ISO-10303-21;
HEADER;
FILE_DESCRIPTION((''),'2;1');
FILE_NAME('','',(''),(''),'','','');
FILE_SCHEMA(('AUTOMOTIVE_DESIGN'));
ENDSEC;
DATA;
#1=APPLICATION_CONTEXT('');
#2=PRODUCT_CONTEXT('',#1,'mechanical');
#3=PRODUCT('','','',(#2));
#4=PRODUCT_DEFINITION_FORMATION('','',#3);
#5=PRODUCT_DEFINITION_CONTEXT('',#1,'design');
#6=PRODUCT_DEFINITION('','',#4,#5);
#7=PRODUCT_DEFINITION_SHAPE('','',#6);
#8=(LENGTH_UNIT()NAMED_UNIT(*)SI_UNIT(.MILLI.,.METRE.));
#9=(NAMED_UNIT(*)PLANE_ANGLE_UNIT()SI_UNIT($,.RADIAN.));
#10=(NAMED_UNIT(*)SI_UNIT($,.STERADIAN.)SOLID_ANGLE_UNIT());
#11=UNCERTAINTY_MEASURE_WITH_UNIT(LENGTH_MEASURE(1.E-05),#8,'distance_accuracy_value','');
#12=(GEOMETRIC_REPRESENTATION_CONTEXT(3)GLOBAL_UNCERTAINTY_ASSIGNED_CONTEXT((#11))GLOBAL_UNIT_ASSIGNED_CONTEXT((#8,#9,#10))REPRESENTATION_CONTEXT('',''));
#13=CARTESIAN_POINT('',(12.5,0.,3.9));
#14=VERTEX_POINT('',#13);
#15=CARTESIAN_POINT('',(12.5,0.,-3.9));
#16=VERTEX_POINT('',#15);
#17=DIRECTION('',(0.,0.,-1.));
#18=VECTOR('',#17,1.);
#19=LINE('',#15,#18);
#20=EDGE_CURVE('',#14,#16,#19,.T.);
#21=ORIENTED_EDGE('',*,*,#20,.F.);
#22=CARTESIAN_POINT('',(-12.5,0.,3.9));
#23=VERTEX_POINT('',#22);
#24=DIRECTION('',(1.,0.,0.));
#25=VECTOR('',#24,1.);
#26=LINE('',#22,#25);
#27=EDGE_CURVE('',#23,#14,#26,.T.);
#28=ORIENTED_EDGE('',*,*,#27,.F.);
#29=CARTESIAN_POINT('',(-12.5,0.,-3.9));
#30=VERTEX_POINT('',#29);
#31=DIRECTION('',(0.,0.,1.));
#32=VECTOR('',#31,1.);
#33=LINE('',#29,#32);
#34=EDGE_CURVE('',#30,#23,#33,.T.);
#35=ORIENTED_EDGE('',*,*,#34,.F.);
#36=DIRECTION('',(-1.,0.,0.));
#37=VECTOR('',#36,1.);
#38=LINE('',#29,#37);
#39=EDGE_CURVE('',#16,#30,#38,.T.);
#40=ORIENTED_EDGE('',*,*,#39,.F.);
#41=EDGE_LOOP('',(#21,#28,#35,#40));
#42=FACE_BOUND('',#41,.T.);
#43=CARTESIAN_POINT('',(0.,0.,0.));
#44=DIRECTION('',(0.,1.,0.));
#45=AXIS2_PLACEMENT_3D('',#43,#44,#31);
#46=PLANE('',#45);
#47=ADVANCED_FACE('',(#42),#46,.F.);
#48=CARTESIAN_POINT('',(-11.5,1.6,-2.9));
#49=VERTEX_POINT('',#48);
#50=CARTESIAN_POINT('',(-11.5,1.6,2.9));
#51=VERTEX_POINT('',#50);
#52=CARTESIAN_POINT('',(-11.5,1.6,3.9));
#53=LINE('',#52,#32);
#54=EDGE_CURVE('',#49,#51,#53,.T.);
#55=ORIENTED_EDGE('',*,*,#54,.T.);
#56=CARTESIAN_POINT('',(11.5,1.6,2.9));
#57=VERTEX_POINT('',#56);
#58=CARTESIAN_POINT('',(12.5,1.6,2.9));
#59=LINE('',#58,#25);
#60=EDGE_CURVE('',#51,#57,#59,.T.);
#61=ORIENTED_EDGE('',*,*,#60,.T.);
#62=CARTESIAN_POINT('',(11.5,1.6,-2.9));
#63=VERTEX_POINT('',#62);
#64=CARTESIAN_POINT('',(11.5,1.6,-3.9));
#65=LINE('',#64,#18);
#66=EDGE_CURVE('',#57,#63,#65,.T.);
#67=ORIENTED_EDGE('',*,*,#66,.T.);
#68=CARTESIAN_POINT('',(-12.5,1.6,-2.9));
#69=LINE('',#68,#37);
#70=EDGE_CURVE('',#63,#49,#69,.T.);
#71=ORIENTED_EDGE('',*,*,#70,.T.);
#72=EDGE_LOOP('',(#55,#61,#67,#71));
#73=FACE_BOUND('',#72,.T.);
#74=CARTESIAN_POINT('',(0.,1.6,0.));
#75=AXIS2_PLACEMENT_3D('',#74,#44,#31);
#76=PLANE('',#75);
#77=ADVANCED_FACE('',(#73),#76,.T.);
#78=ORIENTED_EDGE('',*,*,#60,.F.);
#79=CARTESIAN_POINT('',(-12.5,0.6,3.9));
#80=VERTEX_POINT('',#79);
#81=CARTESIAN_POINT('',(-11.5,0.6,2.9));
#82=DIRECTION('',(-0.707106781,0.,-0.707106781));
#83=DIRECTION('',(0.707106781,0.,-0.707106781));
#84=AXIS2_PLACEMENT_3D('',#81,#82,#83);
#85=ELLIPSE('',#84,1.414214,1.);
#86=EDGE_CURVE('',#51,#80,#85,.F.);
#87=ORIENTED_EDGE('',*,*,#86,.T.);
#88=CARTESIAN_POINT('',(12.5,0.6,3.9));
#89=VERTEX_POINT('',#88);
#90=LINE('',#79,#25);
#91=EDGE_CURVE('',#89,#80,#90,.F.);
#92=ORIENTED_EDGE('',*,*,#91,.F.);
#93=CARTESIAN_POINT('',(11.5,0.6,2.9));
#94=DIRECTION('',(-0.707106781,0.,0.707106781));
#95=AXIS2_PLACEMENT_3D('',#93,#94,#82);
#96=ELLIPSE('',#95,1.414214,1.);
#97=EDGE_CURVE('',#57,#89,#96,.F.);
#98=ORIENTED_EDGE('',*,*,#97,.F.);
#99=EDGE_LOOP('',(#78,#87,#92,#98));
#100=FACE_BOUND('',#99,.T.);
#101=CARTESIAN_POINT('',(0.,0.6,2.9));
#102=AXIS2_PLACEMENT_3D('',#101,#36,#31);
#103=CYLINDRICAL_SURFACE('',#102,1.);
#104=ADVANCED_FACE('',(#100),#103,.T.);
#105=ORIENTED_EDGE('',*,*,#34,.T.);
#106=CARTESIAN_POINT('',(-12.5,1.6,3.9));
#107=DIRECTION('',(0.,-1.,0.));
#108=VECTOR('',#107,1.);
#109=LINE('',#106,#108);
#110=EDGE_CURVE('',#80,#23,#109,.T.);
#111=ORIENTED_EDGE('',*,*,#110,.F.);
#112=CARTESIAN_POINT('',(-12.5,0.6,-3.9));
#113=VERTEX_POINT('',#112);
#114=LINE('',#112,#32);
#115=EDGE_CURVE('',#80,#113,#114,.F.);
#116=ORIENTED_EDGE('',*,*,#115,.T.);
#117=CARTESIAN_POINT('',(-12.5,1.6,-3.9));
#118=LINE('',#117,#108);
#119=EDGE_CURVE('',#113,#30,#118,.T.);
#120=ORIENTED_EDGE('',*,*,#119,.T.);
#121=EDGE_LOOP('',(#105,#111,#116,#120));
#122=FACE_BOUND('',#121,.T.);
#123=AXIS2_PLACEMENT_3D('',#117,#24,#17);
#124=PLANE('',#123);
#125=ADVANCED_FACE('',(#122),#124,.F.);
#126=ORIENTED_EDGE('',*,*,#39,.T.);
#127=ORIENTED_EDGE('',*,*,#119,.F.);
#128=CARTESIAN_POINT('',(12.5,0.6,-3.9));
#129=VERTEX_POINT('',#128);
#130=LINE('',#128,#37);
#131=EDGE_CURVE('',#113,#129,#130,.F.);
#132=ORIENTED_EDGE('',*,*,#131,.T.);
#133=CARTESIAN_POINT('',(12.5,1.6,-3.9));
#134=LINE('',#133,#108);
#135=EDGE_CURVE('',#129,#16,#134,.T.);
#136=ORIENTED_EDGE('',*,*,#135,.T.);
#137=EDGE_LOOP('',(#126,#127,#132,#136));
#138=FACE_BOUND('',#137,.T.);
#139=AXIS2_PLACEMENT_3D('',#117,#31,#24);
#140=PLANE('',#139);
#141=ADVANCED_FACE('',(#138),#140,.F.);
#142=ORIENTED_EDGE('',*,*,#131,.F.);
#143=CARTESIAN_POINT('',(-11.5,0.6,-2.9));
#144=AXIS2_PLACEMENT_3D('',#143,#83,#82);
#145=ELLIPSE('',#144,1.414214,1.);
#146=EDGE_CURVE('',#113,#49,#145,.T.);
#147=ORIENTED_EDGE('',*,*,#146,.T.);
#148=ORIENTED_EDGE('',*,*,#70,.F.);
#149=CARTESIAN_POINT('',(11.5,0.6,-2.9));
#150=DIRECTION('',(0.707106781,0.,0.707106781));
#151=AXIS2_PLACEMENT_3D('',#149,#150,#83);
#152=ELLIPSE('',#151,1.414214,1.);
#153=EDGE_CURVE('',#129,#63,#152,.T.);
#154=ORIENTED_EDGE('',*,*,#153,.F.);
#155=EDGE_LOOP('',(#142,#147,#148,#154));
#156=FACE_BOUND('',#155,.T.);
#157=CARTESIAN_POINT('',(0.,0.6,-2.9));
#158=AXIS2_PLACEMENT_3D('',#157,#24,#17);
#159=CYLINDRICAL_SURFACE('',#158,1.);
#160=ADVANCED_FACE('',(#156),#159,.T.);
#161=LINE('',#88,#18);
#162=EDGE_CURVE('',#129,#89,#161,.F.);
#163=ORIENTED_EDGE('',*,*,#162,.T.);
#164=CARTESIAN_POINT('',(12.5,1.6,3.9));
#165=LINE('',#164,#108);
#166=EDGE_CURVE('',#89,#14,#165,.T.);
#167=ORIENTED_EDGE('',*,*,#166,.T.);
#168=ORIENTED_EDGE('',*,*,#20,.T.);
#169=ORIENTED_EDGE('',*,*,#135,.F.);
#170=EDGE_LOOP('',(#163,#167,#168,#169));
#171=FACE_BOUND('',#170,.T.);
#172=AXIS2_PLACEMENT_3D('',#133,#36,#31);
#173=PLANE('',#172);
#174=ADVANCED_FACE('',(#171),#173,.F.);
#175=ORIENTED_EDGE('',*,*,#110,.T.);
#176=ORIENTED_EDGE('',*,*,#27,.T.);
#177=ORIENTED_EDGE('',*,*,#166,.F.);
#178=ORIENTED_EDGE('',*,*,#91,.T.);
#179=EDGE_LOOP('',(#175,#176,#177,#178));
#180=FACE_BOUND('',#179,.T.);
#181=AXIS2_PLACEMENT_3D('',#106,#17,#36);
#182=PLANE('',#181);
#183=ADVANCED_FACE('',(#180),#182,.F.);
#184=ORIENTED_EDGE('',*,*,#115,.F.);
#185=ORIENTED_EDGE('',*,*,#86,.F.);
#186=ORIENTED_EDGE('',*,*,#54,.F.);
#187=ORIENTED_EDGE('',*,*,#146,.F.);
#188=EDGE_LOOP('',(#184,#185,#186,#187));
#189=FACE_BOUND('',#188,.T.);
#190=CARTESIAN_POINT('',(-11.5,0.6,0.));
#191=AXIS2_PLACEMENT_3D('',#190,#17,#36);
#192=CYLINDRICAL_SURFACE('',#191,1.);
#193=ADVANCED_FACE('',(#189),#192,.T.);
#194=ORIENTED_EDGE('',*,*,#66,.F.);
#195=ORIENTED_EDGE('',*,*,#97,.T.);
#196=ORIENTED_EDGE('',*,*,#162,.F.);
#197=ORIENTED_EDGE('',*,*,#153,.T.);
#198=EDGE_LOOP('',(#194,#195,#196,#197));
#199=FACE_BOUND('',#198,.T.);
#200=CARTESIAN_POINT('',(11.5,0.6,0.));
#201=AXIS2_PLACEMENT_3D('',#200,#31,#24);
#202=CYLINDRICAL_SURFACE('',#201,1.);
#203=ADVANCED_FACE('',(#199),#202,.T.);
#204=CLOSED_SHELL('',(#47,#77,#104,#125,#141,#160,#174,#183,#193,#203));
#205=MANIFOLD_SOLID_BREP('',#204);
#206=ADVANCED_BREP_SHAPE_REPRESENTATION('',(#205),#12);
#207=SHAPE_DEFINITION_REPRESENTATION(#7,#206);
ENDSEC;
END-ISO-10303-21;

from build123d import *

# Parameters (mm, degrees)
SKETCH_1_W      = 25
SKETCH_1_H      = 7.8
EXTRUDE_1_DEPTH = 1.6
FILLET_1_R      = 1


with BuildPart() as part:
    # 草图1 → 凸台-拉伸1 (new body)
    with BuildSketch(Plane(origin=(0, 0, 0), x_dir=(1, 0, 0), z_dir=(0, 1, 0))):
        Rectangle(SKETCH_1_W, SKETCH_1_H)
    extrude(amount=EXTRUDE_1_DEPTH)

    # 圆角1
    fillet_1_edges = [part.edges().sort_by_distance(p)[0] for p in [
        (-12.5, 1.6, 0),
        (0, 1.6, 3.9),
        (12.5, 1.6, 0),
        (0, 1.6, -3.9),
    ]]
    fillet(fillet_1_edges, radius=FILLET_1_R)


solid = part.part
